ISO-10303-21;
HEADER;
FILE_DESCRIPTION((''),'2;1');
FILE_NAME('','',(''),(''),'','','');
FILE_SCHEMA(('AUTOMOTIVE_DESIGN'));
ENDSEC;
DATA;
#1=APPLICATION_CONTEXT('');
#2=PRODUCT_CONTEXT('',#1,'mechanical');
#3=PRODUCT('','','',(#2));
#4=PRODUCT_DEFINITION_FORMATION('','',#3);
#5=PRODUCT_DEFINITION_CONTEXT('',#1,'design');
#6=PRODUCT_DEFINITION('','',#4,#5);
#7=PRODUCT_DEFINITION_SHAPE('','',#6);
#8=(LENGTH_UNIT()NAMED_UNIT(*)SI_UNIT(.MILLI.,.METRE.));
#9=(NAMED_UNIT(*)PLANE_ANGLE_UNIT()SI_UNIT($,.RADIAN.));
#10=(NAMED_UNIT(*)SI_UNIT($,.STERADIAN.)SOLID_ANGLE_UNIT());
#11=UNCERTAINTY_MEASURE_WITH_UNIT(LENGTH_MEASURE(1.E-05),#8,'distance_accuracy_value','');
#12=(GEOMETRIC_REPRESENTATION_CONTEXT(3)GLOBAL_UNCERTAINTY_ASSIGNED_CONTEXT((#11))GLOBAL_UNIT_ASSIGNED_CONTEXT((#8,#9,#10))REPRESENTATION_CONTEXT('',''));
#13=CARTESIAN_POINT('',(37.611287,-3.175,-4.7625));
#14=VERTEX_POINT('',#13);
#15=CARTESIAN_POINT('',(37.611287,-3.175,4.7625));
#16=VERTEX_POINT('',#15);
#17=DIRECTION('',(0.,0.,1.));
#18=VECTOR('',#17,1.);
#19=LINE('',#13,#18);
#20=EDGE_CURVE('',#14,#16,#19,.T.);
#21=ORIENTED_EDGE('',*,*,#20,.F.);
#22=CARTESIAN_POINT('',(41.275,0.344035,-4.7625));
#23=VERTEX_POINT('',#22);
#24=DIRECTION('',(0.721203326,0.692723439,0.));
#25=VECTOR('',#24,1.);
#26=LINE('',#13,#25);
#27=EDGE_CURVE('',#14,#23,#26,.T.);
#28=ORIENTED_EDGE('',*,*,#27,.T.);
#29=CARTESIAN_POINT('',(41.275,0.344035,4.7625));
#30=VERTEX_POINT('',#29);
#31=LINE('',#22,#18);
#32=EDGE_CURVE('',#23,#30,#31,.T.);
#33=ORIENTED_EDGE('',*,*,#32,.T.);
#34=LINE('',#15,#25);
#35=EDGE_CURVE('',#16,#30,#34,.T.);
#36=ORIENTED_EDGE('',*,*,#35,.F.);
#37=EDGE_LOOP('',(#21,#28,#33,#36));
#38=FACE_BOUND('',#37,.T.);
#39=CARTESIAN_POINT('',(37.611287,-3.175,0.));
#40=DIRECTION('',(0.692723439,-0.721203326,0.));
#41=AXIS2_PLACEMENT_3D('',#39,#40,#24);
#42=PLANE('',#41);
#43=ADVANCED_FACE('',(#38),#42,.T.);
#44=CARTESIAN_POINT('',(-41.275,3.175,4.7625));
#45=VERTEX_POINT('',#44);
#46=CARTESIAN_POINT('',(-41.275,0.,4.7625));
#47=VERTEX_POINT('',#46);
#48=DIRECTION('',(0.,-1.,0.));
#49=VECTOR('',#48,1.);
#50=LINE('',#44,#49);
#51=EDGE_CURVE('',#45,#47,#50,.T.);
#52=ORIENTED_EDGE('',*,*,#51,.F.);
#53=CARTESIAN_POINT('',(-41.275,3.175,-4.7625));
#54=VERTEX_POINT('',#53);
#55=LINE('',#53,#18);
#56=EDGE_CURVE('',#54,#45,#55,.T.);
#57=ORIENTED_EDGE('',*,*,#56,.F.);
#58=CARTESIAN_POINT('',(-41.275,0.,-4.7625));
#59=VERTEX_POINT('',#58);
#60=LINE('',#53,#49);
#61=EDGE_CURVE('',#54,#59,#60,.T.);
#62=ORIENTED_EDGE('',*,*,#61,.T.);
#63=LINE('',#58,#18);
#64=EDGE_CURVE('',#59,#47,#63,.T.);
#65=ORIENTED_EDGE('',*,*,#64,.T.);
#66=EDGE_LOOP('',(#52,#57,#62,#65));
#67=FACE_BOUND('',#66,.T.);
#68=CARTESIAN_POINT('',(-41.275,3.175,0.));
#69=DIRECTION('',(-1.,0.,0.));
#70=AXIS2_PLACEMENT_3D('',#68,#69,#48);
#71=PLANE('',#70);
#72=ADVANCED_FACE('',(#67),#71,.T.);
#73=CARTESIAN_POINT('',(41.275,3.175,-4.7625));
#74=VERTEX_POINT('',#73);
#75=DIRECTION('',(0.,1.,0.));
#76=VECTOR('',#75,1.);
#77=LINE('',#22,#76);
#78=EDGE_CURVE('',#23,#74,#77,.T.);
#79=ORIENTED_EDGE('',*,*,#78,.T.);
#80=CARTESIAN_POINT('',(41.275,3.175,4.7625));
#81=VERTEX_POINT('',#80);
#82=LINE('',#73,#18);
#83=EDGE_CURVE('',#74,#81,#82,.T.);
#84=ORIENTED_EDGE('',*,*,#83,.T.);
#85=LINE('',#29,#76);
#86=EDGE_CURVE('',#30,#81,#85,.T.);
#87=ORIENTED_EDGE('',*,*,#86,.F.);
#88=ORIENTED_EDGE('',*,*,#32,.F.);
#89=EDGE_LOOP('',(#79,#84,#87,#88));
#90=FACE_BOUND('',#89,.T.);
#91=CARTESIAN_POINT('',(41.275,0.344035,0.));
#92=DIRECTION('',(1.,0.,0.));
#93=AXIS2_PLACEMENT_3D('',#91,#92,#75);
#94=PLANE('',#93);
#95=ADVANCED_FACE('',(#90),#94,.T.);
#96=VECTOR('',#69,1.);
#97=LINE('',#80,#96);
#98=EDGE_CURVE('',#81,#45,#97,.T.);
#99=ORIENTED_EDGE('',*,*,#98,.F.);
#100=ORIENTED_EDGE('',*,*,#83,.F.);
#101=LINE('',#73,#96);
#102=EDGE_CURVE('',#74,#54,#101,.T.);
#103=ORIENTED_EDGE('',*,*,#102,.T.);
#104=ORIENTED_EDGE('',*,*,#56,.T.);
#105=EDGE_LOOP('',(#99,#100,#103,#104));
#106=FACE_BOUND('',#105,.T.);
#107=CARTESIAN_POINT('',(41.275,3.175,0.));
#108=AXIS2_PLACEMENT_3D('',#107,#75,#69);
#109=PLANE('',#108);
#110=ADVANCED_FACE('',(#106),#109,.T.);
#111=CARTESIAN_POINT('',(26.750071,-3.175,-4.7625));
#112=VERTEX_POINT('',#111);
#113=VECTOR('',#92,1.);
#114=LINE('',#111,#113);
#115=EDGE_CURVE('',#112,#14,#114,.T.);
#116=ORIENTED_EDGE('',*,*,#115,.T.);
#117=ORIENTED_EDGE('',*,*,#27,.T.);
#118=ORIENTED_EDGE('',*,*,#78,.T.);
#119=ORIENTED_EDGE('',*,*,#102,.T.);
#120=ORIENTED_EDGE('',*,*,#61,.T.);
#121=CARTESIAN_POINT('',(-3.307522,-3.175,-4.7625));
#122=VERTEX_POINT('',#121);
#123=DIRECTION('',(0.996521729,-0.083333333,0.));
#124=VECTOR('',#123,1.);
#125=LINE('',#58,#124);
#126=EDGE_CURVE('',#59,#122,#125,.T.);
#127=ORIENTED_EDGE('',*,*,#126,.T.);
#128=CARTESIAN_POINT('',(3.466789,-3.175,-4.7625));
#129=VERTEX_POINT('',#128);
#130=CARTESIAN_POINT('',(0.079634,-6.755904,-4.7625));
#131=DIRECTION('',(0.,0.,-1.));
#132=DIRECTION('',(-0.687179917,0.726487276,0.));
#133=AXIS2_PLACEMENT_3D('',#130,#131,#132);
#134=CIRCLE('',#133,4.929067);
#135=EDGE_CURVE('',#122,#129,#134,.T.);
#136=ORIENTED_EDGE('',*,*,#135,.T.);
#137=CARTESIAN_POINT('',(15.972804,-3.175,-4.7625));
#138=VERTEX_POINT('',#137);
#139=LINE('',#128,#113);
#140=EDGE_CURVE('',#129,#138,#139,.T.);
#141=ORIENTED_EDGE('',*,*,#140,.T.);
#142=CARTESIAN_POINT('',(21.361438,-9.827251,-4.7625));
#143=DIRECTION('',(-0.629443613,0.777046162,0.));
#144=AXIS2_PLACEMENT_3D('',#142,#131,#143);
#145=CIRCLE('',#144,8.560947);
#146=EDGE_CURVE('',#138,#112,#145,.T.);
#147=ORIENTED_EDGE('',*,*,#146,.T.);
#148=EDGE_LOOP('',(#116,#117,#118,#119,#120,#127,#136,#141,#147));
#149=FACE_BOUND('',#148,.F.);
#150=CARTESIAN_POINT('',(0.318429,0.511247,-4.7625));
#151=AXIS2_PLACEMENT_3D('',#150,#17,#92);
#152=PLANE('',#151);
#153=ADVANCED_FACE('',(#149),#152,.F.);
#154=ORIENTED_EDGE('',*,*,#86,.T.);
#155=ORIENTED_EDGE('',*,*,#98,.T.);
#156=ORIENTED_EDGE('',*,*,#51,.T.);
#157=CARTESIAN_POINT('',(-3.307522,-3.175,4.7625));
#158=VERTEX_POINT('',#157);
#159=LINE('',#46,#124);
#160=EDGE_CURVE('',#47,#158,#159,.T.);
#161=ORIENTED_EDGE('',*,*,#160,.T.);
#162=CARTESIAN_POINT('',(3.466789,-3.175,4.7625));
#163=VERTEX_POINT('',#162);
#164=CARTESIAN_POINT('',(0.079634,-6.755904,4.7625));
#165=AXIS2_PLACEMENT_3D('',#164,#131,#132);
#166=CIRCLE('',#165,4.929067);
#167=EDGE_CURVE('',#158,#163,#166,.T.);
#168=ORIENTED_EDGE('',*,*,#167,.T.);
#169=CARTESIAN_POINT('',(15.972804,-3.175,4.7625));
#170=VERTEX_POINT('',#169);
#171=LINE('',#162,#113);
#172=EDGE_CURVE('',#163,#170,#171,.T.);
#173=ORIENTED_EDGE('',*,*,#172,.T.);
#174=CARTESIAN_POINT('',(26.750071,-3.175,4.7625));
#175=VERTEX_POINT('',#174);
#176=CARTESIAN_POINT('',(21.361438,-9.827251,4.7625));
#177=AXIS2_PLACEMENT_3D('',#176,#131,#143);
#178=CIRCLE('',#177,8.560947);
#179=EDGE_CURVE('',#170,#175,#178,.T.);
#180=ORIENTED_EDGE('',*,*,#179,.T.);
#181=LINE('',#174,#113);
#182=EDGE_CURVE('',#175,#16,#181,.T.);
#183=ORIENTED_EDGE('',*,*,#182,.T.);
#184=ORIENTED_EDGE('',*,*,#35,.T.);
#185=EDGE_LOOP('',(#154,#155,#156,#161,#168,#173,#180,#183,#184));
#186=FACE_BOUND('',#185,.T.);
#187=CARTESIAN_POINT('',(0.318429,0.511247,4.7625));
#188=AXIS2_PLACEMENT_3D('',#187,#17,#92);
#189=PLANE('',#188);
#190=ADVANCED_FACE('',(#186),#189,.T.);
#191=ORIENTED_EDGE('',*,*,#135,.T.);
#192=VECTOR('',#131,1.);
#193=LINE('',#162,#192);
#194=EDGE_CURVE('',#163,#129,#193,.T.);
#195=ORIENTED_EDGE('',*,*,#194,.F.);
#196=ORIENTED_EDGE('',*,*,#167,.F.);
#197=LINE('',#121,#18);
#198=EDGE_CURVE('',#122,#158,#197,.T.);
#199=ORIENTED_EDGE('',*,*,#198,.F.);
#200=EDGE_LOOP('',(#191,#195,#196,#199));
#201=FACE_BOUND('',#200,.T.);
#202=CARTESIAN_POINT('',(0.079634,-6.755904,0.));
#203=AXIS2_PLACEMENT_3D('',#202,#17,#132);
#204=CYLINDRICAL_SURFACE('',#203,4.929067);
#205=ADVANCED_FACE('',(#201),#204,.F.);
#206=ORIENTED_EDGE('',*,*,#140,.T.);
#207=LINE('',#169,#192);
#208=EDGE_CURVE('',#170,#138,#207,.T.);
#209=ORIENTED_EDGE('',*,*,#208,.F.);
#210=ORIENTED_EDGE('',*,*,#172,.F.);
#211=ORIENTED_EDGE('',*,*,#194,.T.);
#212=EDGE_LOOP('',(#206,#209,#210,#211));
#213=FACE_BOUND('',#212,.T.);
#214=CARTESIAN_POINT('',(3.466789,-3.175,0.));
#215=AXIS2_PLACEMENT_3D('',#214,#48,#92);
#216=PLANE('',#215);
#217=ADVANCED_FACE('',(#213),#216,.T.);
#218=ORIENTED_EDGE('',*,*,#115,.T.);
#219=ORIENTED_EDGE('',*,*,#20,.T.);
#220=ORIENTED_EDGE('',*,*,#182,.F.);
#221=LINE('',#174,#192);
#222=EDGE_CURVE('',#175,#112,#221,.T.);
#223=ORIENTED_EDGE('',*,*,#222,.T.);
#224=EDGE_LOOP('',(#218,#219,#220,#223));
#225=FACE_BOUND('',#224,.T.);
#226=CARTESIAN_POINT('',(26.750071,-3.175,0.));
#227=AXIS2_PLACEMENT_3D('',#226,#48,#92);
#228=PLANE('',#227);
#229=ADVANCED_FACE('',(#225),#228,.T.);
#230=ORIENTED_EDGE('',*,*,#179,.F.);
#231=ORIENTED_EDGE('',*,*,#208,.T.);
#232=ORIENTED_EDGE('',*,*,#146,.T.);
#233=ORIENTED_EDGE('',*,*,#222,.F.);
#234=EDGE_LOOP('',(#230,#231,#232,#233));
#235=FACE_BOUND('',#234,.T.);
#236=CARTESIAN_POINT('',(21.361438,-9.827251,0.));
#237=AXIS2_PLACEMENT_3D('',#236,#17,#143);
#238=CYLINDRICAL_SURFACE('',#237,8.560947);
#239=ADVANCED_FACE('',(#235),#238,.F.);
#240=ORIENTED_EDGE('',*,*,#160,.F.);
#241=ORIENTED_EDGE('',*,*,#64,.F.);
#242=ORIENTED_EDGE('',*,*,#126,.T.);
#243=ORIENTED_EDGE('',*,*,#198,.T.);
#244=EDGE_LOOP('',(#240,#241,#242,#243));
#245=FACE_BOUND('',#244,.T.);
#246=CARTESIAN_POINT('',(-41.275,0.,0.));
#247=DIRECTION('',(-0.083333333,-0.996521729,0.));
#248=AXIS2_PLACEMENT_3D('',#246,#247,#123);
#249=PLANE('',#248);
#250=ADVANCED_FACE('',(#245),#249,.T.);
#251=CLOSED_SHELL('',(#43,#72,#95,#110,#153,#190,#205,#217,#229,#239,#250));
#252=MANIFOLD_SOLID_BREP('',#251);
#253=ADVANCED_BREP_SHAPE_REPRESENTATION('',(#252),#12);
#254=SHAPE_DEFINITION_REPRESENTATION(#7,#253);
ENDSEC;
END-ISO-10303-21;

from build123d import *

# Parameters (mm, degrees)
F1_DEPTH = 4.7625


with BuildPart() as f1:
    # F0 (on Top) → F1 (new body, symmetric)
    with BuildSketch(Plane.XY):
        with BuildLine():
            Line((26.7500709742, -3.175), (37.6112871062, -3.175))
            Line((37.6112871062, -3.175), (41.275, 0.3440350712))
            Line((41.275, 0.3440350712), (41.275, 3.175))
            Line((41.275, 3.175), (-41.275, 3.175))
            Line((-41.275, 3.175), (-41.275, 0))
            Line((-41.275, 0), (-3.3075221407, -3.175))
            ThreePointArc((-3.3075221407, -3.175), (0.0796335022, -1.82683754), (3.466789145, -3.175))
            Line((3.466789145, -3.175), (15.9728042781, -3.175))
            ThreePointArc((15.9728042781, -3.175), (21.3614376262, -1.2663040308), (26.7500709742, -3.175))
        make_face()
    extrude(amount=F1_DEPTH, both=True)


solid = f1.part
